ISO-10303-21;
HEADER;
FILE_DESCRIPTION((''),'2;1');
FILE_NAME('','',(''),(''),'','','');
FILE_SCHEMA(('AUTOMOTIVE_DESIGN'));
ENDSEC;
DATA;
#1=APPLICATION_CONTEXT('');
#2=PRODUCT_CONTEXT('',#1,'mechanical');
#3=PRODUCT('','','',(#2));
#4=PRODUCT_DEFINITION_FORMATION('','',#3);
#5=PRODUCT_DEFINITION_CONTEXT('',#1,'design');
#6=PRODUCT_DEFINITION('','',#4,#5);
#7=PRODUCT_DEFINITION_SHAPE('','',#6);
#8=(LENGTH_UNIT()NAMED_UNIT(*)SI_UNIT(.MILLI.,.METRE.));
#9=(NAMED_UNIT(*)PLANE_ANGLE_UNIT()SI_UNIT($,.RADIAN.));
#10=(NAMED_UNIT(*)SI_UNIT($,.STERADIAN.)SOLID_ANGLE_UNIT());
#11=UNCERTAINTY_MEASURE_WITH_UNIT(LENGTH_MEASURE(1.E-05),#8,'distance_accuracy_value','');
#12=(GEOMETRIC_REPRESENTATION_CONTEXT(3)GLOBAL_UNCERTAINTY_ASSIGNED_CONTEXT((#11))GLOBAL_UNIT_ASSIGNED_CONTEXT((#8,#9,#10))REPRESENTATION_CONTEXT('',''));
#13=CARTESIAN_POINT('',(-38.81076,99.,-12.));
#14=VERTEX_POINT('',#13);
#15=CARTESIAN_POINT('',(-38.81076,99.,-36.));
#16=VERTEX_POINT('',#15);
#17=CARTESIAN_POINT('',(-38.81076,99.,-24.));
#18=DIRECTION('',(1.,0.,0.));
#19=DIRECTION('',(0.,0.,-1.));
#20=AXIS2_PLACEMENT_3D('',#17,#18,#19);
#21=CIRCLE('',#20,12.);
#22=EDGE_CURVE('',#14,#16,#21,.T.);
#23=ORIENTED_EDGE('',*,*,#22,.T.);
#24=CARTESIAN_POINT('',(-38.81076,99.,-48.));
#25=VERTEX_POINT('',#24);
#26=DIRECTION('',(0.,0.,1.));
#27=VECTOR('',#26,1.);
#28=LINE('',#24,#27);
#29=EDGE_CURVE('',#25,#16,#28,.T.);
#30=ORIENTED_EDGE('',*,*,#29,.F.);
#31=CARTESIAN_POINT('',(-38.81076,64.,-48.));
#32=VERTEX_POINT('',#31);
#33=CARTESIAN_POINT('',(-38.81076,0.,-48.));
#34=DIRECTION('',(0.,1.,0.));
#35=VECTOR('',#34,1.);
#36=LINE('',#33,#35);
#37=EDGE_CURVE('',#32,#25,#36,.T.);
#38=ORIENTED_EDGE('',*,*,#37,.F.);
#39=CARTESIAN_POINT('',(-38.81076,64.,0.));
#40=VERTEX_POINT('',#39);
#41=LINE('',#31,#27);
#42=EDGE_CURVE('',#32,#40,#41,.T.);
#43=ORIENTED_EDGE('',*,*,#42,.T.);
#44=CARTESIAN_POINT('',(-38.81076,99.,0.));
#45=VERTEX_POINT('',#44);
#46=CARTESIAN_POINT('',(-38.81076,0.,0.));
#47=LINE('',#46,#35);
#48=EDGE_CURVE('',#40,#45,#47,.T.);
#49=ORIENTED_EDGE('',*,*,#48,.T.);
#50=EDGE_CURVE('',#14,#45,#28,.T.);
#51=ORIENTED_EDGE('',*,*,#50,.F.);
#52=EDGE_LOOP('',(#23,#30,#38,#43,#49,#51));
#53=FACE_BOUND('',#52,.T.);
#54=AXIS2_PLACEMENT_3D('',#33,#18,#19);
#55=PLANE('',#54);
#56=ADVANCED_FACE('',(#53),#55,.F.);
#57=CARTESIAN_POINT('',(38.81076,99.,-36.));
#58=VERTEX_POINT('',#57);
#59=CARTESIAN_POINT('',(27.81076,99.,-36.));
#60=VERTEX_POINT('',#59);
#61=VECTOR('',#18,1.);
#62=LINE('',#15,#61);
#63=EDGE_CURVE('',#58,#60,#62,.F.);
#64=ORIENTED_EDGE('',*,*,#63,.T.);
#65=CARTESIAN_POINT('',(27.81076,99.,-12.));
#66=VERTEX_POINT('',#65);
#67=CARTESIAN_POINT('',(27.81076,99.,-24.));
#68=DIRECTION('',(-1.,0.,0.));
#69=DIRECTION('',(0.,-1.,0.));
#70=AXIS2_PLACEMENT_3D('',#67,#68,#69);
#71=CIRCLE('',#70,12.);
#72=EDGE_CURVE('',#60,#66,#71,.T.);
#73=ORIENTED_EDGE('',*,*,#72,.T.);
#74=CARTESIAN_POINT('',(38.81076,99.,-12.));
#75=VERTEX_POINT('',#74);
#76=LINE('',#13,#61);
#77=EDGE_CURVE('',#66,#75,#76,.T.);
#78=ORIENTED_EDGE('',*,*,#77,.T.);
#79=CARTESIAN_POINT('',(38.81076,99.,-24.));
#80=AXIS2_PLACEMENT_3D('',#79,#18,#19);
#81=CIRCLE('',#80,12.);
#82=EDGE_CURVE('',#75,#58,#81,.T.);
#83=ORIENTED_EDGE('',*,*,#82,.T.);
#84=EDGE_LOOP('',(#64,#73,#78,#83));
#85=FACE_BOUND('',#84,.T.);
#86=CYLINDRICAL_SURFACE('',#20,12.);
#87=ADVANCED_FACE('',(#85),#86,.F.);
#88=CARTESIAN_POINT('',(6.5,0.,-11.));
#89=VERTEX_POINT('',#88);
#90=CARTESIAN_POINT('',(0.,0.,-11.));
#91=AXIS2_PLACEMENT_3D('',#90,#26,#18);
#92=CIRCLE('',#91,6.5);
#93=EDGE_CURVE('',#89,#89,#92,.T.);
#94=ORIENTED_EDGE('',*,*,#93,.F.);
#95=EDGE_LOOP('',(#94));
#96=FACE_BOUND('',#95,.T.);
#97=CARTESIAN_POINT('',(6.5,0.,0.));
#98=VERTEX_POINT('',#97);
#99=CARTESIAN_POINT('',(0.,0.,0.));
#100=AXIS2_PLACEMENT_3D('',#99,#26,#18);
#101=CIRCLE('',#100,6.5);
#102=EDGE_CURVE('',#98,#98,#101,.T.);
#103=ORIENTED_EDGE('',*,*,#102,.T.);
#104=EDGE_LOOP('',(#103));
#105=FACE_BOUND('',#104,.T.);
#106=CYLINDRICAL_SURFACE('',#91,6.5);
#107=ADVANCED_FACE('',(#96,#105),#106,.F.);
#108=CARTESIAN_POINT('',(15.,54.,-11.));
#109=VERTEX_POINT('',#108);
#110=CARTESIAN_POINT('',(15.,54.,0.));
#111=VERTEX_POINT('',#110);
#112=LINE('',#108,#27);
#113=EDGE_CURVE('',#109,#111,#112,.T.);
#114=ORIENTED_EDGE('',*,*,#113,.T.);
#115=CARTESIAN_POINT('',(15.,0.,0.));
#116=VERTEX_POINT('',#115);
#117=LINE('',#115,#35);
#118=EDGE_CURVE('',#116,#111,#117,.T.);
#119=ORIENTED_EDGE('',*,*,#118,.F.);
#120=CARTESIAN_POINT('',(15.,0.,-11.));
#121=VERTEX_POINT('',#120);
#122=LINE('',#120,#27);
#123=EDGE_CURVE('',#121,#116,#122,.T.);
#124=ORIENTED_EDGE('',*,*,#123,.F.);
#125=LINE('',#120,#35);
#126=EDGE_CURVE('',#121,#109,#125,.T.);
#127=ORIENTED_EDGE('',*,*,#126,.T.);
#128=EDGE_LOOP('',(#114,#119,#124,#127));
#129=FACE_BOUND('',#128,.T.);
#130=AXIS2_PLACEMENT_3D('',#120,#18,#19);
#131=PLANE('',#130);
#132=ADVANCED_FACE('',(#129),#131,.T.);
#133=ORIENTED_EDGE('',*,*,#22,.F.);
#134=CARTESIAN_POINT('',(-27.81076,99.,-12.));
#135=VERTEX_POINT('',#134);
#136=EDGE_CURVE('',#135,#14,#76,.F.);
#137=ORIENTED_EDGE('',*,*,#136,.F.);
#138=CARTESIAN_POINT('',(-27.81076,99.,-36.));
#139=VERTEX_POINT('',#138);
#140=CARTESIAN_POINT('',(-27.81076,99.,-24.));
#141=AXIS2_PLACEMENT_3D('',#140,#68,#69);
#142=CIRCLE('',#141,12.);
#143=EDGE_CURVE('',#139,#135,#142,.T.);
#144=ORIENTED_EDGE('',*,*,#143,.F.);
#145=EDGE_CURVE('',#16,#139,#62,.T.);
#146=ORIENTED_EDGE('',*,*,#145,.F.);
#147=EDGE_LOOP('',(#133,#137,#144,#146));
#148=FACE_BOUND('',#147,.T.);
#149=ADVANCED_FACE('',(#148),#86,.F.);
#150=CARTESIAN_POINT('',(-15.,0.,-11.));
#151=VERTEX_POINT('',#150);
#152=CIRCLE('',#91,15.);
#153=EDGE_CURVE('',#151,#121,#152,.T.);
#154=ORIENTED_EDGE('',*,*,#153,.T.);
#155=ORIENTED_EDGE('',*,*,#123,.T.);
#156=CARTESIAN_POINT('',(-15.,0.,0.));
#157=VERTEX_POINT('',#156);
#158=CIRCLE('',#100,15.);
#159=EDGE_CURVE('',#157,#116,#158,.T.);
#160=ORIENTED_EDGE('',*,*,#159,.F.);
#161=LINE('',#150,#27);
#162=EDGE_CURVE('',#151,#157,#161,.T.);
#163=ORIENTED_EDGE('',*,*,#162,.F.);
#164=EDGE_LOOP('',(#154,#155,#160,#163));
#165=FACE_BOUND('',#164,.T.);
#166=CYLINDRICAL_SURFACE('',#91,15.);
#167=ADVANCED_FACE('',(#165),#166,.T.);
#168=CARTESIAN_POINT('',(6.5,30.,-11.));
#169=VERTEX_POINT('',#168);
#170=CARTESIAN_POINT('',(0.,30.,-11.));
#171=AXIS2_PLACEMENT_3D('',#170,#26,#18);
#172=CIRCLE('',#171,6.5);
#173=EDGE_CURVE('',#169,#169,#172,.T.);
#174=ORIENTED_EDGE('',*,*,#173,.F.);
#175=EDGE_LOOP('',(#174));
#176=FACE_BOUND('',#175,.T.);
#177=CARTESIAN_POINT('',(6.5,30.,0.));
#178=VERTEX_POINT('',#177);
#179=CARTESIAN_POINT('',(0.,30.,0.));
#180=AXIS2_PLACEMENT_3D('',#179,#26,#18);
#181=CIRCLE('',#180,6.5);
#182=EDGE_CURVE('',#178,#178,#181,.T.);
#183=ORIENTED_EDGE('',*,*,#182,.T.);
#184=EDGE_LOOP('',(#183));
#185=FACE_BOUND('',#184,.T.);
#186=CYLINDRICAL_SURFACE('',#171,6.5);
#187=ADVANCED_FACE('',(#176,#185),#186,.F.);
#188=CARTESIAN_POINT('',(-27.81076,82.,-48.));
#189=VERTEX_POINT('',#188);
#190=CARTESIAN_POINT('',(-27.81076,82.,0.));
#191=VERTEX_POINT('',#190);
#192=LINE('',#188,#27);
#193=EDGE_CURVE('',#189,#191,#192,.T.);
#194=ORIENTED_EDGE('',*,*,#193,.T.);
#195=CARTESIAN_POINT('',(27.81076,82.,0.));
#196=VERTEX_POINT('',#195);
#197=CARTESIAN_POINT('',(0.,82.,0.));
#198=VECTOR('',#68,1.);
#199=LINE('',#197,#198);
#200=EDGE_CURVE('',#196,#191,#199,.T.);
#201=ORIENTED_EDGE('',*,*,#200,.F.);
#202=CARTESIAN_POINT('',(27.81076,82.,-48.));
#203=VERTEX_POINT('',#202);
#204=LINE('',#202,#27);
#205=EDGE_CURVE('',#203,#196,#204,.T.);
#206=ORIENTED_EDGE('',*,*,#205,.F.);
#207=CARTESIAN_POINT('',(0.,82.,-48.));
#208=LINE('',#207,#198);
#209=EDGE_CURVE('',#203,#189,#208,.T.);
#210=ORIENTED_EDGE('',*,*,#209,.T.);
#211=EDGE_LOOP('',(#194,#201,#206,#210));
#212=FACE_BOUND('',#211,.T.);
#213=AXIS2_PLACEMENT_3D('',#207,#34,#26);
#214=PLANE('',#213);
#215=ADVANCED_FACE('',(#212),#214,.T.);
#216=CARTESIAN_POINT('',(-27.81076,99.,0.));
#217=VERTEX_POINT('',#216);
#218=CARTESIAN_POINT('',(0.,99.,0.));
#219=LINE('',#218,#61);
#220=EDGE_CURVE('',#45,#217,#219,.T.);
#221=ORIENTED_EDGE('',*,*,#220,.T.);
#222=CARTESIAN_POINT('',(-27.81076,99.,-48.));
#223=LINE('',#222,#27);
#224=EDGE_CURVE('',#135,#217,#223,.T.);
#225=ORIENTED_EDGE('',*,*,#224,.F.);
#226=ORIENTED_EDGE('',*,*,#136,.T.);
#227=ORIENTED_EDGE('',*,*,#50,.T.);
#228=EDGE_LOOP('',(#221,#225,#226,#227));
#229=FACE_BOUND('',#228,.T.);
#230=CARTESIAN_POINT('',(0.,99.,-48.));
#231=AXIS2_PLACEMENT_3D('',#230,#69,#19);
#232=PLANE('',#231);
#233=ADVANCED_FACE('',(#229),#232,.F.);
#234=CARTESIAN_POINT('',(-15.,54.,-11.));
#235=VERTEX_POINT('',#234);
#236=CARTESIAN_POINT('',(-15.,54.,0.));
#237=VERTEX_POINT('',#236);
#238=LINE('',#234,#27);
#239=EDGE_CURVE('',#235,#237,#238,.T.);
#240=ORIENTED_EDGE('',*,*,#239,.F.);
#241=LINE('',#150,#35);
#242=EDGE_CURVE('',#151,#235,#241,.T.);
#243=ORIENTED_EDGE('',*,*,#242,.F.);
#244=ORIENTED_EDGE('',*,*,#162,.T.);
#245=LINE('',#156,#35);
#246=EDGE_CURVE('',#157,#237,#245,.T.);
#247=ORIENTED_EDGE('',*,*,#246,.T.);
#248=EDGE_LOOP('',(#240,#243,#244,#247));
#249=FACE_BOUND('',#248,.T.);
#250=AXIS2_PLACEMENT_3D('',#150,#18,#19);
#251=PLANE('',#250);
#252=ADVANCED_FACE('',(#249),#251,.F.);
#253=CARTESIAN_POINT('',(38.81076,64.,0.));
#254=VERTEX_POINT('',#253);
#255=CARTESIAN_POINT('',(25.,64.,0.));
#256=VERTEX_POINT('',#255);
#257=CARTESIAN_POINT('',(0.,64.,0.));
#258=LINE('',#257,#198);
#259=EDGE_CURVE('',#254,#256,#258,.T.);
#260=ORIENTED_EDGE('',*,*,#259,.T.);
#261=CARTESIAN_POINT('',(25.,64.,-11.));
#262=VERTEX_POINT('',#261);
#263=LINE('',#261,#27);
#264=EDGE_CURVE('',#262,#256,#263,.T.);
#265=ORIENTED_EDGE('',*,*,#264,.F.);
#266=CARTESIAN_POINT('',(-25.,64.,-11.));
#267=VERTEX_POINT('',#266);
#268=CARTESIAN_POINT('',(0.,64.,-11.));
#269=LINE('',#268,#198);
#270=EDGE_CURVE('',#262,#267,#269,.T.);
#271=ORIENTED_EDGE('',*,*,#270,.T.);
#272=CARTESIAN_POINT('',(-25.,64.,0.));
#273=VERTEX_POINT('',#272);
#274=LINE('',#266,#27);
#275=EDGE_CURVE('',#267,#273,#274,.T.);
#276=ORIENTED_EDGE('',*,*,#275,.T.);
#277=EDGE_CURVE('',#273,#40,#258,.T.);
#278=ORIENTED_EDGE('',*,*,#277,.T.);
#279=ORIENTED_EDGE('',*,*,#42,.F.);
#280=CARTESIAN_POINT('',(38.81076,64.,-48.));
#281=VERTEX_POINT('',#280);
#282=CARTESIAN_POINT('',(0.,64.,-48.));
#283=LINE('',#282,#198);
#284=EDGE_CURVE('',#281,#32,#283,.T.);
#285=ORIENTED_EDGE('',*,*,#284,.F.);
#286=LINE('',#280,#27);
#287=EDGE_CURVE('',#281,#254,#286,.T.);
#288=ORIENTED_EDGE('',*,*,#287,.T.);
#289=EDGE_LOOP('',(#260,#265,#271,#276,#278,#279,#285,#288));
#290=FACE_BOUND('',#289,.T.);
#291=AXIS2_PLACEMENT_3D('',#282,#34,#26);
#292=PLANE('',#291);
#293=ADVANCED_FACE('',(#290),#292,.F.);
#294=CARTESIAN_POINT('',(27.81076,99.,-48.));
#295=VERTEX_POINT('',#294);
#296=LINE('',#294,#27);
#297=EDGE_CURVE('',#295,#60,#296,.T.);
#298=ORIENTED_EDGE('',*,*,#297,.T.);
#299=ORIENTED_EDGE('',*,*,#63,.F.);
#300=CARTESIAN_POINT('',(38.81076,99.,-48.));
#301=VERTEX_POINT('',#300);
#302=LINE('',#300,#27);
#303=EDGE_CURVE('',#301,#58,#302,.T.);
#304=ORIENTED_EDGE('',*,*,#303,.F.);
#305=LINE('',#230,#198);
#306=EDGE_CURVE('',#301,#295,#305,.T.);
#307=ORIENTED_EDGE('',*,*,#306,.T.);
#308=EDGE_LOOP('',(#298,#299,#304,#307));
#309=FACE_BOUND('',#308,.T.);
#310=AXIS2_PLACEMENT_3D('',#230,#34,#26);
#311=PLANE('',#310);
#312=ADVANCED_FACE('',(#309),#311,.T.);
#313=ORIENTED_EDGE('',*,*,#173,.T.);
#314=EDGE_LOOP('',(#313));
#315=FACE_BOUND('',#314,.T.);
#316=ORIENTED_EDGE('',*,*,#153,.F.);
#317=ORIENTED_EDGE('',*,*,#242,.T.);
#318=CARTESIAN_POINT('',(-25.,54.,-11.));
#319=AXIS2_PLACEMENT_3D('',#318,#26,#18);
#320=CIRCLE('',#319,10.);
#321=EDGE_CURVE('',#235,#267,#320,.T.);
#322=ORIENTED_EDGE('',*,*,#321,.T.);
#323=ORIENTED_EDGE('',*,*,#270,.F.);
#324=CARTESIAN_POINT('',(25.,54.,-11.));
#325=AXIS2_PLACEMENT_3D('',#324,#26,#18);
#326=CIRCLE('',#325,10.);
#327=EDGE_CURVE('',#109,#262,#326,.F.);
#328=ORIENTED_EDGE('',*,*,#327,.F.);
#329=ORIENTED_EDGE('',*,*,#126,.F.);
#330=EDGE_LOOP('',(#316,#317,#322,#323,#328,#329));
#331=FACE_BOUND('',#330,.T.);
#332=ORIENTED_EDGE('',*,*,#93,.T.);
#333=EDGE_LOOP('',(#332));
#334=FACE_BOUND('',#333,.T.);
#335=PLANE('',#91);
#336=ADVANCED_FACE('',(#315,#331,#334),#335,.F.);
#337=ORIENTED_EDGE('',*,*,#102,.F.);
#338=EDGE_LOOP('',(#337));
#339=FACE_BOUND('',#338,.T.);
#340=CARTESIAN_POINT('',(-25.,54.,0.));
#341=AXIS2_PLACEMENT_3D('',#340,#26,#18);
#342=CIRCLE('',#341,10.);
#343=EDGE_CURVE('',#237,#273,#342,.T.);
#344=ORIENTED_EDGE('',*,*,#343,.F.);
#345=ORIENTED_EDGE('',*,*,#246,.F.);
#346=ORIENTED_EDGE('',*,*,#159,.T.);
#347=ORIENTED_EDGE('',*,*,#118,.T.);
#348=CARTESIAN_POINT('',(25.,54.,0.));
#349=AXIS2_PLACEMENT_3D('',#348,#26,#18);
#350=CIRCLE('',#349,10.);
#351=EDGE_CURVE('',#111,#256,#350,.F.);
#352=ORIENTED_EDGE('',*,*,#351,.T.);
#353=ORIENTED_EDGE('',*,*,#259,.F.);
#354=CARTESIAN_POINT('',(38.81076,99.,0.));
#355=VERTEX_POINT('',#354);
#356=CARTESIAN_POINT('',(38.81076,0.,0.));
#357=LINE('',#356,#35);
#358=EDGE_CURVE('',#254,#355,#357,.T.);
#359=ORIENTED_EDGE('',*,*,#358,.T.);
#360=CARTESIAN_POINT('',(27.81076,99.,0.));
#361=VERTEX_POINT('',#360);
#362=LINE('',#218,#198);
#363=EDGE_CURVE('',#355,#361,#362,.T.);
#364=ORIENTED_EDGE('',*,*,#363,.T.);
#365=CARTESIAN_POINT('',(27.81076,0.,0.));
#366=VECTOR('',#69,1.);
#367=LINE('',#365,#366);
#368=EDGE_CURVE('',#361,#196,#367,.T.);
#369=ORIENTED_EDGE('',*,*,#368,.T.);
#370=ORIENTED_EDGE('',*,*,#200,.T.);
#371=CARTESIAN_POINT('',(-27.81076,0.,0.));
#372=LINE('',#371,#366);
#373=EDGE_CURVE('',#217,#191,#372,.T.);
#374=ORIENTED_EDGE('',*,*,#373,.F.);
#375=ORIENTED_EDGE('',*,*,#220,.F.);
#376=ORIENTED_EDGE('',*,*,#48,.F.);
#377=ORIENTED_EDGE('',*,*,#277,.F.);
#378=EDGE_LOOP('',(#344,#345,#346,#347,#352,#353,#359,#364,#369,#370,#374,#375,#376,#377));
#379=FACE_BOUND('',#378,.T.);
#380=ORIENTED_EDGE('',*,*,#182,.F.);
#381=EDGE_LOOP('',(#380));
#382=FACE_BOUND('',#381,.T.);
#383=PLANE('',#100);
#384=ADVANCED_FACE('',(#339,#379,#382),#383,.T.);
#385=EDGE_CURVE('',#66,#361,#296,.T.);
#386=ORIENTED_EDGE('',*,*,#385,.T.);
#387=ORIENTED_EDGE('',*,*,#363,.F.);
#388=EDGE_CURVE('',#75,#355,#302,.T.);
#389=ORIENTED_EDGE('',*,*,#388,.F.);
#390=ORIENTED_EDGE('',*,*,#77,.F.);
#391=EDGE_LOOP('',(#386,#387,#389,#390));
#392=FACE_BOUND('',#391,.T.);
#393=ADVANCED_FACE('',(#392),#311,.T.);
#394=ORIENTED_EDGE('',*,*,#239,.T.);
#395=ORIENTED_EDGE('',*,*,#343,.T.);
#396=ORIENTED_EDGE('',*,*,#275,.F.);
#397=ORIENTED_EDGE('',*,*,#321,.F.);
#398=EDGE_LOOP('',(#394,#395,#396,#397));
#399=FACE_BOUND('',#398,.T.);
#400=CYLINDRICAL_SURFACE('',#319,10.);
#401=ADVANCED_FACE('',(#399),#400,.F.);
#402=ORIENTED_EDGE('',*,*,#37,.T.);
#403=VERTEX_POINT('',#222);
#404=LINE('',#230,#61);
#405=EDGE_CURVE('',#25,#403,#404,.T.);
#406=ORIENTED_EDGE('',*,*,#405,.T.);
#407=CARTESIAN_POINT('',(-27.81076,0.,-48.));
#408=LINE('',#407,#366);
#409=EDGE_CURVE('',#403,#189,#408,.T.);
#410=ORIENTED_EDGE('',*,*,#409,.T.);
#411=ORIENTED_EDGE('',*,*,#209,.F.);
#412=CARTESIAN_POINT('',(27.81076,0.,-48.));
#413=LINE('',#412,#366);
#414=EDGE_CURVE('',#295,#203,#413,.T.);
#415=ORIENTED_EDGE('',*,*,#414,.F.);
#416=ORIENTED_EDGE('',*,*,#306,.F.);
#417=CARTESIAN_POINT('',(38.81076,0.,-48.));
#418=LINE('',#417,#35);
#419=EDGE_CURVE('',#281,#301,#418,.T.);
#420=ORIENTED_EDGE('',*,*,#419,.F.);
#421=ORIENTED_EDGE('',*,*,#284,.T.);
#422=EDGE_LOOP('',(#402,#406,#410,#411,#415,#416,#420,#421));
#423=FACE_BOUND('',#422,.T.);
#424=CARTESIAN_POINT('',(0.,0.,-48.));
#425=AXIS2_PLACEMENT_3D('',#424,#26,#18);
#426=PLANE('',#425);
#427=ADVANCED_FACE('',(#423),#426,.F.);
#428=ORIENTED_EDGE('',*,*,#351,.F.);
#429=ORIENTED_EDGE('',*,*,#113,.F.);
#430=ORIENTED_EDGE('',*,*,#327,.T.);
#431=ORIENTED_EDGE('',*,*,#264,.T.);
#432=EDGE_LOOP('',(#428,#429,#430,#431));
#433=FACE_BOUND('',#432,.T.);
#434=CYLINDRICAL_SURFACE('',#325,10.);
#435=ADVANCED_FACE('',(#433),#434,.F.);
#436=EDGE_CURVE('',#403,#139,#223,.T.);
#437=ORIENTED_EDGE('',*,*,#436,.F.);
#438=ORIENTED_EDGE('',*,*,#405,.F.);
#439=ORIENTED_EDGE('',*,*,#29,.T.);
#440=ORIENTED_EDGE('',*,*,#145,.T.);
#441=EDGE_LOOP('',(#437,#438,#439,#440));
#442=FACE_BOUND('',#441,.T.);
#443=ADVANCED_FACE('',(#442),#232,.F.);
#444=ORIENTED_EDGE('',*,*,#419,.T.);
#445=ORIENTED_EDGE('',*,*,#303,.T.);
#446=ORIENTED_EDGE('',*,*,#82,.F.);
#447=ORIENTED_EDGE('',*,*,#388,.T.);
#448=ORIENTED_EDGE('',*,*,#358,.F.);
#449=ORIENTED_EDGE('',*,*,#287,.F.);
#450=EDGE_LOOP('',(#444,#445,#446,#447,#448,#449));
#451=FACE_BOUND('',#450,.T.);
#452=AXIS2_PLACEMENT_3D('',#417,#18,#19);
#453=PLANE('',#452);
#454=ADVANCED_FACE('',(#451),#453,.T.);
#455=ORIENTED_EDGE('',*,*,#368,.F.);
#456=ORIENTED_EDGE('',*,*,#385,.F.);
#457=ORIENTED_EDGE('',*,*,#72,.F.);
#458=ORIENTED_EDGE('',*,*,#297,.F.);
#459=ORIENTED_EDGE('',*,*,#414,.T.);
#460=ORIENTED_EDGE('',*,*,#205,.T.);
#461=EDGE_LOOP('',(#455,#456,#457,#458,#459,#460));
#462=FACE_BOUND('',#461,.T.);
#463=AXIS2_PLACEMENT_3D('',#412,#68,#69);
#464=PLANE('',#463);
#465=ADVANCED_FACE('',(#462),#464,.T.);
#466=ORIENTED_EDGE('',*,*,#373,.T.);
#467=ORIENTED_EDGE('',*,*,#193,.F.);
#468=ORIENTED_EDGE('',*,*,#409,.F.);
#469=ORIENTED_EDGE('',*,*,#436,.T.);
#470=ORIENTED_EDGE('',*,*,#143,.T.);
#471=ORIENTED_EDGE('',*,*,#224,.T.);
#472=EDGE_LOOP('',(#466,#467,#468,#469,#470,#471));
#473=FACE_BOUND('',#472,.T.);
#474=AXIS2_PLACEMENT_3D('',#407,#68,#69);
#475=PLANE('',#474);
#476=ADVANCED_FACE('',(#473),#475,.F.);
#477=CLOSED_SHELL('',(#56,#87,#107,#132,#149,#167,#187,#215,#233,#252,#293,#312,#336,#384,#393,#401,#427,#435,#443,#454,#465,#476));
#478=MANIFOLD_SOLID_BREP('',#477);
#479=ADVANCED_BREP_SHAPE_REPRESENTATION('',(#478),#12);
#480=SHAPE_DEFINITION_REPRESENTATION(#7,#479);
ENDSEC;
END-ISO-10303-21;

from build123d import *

# Parameters (mm, degrees)
SKETCH1_R           = 6.5
BOSS_EXTRUDE1_DEPTH = 11
BOSS_EXTRUDE2_DEPTH = 48
SKETCH2_R           = 12
CUT_EXTRUDE1_DEPTH  = 135.648061082


with BuildPart() as part:
    # Sketch1 → Boss-Extrude1 (new body)
    with BuildSketch(Plane.XY):
        with BuildLine():
            Line((25, 64), (-25, 64))
            ThreePointArc((-25, 64), (-17.928932188, 61.071067812), (-15, 54))
            Line((-15, 54), (-15, 0))
            ThreePointArc((-15, 0), (0, -15), (15, 0))
            Line((15, 0), (15, 54))
            ThreePointArc((15, 54), (17.928932188, 61.071067812), (25, 64))
        make_face()
        Circle(SKETCH1_R, mode=Mode.SUBTRACT)
        with Locations((0, 30)):
            Circle(SKETCH1_R, mode=Mode.SUBTRACT)
    extrude(amount=-BOSS_EXTRUDE1_DEPTH)

    # Sketch1<3> → Boss-Extrude2 (add)
    with BuildSketch(Plane.XY):
        Polygon((27.810759955, 82), (-27.810759955, 82), (-27.810759955, 99), (-38.810759955, 99), (-38.810759955, 64), (38.810759955, 64), (38.810759955, 99), (27.810759955, 99), align=None)
    extrude(amount=-BOSS_EXTRUDE2_DEPTH)

    # Sketch2 → Cut-Extrude1 (cut, through all)
    with BuildSketch(Plane(origin=(38.810759955, 0, 0), x_dir=(0, 0, -1), z_dir=(1, 0, 0))):
        with Locations((24, 99)):
            Circle(SKETCH2_R)
    extrude(amount=-CUT_EXTRUDE1_DEPTH, mode=Mode.SUBTRACT)


solid = part.part
